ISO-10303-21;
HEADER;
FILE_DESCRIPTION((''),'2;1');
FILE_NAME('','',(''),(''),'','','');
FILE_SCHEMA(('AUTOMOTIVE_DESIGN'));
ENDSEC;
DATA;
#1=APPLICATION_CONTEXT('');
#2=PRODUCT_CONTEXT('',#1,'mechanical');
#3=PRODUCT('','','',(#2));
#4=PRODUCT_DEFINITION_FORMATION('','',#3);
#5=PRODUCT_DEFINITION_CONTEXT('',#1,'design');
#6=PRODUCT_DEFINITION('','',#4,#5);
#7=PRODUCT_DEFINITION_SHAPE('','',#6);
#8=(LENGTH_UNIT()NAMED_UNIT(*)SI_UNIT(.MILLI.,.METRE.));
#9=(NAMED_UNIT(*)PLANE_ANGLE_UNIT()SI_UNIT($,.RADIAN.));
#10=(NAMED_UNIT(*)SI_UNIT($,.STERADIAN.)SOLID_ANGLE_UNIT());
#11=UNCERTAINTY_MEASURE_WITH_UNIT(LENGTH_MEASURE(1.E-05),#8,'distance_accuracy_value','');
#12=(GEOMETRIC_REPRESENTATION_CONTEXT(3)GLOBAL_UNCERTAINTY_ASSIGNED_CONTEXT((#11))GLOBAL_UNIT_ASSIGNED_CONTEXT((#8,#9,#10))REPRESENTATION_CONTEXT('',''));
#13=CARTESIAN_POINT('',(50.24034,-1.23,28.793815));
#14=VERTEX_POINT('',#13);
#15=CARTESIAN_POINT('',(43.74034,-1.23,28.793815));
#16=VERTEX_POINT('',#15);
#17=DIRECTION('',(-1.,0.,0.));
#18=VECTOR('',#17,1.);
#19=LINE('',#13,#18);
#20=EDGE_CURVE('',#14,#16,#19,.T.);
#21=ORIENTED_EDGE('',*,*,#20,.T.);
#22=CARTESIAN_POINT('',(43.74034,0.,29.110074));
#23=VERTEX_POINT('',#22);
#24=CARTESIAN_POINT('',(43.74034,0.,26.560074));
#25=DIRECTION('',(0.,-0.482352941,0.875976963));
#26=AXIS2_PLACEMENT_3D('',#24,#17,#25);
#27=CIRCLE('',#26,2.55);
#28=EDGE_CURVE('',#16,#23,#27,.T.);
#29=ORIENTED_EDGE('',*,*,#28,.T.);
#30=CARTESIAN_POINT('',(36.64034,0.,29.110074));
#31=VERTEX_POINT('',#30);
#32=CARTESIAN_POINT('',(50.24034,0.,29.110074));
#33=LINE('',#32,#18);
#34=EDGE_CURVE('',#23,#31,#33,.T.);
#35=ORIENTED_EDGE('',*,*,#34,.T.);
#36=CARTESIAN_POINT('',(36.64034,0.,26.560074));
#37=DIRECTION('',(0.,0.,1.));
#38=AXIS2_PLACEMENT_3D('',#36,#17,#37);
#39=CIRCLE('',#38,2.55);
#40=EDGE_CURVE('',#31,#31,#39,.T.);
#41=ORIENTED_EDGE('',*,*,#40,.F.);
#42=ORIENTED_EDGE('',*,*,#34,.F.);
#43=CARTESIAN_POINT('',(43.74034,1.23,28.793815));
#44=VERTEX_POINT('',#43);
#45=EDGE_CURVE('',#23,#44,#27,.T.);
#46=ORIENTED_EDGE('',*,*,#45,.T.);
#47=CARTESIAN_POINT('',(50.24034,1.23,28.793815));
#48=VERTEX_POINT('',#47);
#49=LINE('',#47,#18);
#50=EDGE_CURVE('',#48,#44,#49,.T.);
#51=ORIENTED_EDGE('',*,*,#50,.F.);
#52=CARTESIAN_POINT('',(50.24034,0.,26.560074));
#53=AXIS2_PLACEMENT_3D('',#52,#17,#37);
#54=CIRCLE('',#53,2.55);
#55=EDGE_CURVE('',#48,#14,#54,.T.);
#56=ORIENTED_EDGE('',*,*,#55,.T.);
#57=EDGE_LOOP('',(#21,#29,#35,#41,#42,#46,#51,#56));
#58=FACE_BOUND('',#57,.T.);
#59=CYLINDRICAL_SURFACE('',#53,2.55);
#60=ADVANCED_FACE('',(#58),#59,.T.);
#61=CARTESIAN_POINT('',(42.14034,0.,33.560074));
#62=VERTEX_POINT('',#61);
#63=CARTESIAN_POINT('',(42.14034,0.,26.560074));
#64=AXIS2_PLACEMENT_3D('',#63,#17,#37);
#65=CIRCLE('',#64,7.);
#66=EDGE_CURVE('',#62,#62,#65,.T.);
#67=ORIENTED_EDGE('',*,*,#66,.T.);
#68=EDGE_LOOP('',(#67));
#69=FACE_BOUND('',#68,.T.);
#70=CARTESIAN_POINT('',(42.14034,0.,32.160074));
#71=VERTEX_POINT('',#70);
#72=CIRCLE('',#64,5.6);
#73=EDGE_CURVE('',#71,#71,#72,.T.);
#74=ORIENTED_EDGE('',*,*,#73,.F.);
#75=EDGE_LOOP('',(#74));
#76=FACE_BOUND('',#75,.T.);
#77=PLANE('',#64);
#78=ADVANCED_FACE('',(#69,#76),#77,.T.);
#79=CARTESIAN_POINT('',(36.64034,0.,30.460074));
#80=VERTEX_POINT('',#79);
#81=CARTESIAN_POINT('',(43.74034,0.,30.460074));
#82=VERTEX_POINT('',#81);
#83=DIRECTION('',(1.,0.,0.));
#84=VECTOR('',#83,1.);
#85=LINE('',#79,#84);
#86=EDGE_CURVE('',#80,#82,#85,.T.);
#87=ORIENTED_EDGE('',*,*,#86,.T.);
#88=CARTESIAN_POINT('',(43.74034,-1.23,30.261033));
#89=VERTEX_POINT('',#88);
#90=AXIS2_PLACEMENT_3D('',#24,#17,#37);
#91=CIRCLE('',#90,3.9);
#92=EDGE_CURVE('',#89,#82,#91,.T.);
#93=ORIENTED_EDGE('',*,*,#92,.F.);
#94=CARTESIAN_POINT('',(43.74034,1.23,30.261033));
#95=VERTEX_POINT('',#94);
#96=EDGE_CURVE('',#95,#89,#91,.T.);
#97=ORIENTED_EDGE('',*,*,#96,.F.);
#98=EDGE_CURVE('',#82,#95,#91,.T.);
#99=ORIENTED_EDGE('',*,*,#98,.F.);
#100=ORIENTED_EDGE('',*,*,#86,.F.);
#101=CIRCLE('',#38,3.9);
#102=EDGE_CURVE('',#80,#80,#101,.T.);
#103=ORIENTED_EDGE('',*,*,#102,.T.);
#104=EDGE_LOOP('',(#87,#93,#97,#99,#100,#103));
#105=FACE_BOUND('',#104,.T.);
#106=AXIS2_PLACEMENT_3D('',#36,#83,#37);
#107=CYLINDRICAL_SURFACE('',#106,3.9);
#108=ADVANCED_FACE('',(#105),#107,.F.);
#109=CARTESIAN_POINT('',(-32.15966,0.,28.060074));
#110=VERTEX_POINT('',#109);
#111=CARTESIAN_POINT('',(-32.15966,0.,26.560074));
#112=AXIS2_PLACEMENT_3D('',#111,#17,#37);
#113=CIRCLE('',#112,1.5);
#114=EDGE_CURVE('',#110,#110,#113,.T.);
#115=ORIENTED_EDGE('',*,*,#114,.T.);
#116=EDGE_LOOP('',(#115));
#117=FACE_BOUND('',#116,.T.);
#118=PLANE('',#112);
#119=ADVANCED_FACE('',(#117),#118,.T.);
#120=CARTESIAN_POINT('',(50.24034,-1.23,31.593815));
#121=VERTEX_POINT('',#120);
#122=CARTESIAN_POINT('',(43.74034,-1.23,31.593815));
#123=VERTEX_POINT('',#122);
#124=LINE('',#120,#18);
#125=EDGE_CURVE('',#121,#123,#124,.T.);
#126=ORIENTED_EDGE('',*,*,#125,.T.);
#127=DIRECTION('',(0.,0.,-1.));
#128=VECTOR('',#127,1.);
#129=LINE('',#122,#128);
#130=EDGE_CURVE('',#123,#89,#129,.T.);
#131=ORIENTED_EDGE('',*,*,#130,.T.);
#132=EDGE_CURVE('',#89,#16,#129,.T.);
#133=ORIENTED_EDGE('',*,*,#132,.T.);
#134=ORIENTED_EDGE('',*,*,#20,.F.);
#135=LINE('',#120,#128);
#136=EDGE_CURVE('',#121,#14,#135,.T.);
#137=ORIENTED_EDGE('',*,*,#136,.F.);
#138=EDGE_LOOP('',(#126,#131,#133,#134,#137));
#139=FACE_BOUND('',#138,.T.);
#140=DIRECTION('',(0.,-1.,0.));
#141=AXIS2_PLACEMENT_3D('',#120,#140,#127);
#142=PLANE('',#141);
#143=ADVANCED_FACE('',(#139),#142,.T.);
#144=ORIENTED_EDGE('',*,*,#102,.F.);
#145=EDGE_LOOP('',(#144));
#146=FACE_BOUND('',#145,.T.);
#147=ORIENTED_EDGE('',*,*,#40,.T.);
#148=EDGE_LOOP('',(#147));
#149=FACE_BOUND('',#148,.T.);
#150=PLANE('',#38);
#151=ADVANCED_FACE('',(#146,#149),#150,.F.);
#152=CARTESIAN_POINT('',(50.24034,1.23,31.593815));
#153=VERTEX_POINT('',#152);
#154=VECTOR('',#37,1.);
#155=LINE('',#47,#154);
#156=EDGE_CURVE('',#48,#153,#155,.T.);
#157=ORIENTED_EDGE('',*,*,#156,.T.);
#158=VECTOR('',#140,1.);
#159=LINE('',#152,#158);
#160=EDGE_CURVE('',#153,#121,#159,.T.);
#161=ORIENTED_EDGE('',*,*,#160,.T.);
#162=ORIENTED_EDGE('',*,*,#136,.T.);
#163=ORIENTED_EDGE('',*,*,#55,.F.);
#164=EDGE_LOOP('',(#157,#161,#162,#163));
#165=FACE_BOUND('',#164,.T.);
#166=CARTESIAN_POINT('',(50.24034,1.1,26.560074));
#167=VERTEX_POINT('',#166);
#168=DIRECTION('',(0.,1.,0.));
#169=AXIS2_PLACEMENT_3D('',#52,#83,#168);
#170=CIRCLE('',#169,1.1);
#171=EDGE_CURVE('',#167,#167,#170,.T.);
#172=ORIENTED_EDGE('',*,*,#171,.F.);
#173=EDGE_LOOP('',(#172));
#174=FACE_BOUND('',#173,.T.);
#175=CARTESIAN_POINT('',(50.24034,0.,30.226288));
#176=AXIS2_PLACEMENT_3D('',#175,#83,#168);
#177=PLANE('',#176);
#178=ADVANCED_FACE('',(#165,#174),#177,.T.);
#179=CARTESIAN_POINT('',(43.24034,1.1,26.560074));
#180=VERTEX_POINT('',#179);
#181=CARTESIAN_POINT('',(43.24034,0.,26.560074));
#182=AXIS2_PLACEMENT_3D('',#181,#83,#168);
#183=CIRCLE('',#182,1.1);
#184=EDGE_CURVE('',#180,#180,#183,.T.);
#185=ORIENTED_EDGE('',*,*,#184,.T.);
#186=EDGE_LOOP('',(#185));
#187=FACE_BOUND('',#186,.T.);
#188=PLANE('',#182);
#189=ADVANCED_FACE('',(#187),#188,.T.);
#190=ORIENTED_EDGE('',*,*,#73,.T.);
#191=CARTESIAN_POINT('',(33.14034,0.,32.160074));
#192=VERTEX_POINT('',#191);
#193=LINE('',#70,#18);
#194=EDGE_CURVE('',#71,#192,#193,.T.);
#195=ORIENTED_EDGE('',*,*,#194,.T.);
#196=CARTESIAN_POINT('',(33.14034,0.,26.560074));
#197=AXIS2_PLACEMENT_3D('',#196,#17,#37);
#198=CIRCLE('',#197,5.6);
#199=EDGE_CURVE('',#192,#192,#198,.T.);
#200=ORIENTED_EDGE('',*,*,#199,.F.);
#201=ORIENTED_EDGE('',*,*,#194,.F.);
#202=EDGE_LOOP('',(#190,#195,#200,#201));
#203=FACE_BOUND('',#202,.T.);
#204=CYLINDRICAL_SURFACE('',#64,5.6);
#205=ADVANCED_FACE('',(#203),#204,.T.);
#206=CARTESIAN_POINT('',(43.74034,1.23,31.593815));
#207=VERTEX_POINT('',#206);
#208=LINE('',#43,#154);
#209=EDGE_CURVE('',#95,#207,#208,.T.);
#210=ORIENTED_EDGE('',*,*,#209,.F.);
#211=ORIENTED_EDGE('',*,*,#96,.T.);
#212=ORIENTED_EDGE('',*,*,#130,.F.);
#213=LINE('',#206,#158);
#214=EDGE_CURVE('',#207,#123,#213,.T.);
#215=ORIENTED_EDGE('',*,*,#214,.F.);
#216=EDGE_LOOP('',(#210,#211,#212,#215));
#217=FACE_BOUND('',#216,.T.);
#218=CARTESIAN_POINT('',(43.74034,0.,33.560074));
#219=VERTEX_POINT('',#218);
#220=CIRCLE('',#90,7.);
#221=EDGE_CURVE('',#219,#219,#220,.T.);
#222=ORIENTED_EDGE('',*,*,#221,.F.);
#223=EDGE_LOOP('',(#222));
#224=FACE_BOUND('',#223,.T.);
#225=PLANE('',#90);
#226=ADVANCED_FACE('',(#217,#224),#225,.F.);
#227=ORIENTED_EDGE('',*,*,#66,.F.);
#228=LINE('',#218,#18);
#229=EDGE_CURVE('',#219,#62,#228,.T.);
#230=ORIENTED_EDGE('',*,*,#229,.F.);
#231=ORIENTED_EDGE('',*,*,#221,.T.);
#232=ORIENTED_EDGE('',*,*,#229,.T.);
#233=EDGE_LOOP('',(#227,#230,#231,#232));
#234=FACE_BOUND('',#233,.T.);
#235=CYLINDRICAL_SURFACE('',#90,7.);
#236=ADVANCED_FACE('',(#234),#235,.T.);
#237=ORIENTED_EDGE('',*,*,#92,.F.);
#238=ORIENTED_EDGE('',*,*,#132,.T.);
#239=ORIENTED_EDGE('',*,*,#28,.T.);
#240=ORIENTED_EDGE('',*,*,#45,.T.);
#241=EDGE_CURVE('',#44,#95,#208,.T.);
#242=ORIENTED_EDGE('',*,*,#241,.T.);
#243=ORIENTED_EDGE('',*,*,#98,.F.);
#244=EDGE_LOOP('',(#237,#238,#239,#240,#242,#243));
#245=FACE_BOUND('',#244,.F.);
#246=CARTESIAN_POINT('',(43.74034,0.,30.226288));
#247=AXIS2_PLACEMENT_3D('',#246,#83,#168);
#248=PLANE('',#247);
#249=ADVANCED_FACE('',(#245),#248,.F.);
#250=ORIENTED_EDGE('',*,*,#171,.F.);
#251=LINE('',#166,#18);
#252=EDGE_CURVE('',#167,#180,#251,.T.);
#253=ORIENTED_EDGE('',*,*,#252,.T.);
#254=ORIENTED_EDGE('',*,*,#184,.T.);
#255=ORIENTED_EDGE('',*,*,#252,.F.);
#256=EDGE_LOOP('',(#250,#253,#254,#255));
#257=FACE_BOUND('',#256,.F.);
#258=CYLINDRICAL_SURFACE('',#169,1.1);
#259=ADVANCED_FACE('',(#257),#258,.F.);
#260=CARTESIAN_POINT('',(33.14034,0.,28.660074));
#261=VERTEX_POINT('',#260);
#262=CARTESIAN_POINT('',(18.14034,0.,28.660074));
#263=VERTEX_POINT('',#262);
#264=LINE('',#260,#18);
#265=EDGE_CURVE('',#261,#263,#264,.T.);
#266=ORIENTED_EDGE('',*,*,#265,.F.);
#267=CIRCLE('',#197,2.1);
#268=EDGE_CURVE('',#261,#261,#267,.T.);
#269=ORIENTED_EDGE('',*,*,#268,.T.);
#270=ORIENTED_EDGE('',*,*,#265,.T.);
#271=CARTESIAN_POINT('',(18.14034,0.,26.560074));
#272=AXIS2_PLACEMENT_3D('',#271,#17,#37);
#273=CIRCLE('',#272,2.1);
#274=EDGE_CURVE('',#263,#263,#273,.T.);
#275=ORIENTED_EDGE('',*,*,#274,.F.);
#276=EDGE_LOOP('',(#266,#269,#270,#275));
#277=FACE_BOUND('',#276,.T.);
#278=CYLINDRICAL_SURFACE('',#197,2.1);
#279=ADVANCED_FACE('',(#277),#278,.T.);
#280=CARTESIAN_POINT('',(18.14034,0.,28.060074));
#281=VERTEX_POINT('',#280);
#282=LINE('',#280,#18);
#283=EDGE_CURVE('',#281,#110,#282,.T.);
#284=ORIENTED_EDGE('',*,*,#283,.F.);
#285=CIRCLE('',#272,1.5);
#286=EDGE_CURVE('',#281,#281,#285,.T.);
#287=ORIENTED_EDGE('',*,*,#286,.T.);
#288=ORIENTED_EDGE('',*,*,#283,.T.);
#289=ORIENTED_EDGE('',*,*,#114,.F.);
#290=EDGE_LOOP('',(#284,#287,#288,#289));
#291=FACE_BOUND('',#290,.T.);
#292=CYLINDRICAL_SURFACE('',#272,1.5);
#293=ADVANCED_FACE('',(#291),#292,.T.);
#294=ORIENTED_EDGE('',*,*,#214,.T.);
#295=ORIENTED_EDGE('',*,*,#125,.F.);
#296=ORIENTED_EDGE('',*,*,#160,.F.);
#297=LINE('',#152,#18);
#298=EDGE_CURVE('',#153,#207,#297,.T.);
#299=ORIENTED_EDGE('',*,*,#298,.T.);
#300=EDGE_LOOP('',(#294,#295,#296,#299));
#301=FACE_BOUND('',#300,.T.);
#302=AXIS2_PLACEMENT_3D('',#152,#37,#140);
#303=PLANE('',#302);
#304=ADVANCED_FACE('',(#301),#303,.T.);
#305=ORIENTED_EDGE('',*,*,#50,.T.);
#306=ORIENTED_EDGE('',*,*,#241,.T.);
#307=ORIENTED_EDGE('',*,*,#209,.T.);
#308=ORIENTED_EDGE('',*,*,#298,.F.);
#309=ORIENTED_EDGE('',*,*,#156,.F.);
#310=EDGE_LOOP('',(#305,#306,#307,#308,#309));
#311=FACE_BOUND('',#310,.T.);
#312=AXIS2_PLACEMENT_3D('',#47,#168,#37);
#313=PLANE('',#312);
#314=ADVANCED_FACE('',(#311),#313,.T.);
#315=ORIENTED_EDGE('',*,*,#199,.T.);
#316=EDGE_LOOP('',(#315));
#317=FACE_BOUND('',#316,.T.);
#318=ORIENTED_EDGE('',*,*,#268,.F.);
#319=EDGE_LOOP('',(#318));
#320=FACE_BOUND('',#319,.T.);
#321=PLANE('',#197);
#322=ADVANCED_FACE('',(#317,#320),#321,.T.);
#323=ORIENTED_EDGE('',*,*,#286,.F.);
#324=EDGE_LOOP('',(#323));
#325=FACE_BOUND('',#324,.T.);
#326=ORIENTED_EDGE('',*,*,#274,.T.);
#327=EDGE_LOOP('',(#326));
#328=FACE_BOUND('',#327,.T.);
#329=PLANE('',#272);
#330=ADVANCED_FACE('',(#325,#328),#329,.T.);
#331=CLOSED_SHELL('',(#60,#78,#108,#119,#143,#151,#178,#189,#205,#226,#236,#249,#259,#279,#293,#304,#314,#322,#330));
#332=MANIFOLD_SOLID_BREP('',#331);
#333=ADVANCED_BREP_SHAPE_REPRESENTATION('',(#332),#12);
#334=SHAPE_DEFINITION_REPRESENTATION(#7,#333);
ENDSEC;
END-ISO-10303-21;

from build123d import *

# Parameters (mm, degrees)
F2_R     = 1.1
F3_DEPTH = 7
F5_DEPTH = 6.5


with BuildPart() as f1:
    # F0 (on Front) → F1 (revolve)
    with BuildSketch(Plane.XZ):
        Polygon((18.140339697, 28.0600738525), (-32.159660303, 28.0600738525), (-32.159660303, 26.5600738525), (50.240339697, 26.5600738525), (50.240339697, 29.1100738525), (36.640339697, 29.1100738525), (36.640339697, 30.4600738525), (43.740339697, 30.4600738525), (43.740339697, 33.5600738525), (42.140339697, 33.5600738525), (42.140339697, 32.1600738525), (33.140339697, 32.1600738525), (33.140339697, 28.6600738525), (18.140339697, 28.6600738525), align=None)
    revolve(axis=Axis((9.040339697, 0, 26.5600738525), (-1, 0, 0)))

    # F2 (on face) → F3 (cut)
    with BuildSketch(Plane.YZ.offset(50.240339697)):
        with Locations((0, 26.5600738525)):
            Circle(F2_R)
    extrude(amount=-F3_DEPTH, mode=Mode.SUBTRACT)

    # F4 (on face) → F5 (join, through all)
    with BuildSketch(Plane.YZ.offset(50.240339697)):
        with BuildLine():
            Line((-1.23, 31.5938151088), (-1.23, 28.7938151088))
            ThreePointArc((-1.23, 28.7938151088), (0, 29.1100738525), (1.23, 28.7938151088))
            Line((1.23, 28.7938151088), (1.23, 31.5938151088))
            Line((1.23, 31.5938151088), (-1.23, 31.5938151088))
        make_face()
    extrude(amount=-F5_DEPTH)


solid = f1.part
